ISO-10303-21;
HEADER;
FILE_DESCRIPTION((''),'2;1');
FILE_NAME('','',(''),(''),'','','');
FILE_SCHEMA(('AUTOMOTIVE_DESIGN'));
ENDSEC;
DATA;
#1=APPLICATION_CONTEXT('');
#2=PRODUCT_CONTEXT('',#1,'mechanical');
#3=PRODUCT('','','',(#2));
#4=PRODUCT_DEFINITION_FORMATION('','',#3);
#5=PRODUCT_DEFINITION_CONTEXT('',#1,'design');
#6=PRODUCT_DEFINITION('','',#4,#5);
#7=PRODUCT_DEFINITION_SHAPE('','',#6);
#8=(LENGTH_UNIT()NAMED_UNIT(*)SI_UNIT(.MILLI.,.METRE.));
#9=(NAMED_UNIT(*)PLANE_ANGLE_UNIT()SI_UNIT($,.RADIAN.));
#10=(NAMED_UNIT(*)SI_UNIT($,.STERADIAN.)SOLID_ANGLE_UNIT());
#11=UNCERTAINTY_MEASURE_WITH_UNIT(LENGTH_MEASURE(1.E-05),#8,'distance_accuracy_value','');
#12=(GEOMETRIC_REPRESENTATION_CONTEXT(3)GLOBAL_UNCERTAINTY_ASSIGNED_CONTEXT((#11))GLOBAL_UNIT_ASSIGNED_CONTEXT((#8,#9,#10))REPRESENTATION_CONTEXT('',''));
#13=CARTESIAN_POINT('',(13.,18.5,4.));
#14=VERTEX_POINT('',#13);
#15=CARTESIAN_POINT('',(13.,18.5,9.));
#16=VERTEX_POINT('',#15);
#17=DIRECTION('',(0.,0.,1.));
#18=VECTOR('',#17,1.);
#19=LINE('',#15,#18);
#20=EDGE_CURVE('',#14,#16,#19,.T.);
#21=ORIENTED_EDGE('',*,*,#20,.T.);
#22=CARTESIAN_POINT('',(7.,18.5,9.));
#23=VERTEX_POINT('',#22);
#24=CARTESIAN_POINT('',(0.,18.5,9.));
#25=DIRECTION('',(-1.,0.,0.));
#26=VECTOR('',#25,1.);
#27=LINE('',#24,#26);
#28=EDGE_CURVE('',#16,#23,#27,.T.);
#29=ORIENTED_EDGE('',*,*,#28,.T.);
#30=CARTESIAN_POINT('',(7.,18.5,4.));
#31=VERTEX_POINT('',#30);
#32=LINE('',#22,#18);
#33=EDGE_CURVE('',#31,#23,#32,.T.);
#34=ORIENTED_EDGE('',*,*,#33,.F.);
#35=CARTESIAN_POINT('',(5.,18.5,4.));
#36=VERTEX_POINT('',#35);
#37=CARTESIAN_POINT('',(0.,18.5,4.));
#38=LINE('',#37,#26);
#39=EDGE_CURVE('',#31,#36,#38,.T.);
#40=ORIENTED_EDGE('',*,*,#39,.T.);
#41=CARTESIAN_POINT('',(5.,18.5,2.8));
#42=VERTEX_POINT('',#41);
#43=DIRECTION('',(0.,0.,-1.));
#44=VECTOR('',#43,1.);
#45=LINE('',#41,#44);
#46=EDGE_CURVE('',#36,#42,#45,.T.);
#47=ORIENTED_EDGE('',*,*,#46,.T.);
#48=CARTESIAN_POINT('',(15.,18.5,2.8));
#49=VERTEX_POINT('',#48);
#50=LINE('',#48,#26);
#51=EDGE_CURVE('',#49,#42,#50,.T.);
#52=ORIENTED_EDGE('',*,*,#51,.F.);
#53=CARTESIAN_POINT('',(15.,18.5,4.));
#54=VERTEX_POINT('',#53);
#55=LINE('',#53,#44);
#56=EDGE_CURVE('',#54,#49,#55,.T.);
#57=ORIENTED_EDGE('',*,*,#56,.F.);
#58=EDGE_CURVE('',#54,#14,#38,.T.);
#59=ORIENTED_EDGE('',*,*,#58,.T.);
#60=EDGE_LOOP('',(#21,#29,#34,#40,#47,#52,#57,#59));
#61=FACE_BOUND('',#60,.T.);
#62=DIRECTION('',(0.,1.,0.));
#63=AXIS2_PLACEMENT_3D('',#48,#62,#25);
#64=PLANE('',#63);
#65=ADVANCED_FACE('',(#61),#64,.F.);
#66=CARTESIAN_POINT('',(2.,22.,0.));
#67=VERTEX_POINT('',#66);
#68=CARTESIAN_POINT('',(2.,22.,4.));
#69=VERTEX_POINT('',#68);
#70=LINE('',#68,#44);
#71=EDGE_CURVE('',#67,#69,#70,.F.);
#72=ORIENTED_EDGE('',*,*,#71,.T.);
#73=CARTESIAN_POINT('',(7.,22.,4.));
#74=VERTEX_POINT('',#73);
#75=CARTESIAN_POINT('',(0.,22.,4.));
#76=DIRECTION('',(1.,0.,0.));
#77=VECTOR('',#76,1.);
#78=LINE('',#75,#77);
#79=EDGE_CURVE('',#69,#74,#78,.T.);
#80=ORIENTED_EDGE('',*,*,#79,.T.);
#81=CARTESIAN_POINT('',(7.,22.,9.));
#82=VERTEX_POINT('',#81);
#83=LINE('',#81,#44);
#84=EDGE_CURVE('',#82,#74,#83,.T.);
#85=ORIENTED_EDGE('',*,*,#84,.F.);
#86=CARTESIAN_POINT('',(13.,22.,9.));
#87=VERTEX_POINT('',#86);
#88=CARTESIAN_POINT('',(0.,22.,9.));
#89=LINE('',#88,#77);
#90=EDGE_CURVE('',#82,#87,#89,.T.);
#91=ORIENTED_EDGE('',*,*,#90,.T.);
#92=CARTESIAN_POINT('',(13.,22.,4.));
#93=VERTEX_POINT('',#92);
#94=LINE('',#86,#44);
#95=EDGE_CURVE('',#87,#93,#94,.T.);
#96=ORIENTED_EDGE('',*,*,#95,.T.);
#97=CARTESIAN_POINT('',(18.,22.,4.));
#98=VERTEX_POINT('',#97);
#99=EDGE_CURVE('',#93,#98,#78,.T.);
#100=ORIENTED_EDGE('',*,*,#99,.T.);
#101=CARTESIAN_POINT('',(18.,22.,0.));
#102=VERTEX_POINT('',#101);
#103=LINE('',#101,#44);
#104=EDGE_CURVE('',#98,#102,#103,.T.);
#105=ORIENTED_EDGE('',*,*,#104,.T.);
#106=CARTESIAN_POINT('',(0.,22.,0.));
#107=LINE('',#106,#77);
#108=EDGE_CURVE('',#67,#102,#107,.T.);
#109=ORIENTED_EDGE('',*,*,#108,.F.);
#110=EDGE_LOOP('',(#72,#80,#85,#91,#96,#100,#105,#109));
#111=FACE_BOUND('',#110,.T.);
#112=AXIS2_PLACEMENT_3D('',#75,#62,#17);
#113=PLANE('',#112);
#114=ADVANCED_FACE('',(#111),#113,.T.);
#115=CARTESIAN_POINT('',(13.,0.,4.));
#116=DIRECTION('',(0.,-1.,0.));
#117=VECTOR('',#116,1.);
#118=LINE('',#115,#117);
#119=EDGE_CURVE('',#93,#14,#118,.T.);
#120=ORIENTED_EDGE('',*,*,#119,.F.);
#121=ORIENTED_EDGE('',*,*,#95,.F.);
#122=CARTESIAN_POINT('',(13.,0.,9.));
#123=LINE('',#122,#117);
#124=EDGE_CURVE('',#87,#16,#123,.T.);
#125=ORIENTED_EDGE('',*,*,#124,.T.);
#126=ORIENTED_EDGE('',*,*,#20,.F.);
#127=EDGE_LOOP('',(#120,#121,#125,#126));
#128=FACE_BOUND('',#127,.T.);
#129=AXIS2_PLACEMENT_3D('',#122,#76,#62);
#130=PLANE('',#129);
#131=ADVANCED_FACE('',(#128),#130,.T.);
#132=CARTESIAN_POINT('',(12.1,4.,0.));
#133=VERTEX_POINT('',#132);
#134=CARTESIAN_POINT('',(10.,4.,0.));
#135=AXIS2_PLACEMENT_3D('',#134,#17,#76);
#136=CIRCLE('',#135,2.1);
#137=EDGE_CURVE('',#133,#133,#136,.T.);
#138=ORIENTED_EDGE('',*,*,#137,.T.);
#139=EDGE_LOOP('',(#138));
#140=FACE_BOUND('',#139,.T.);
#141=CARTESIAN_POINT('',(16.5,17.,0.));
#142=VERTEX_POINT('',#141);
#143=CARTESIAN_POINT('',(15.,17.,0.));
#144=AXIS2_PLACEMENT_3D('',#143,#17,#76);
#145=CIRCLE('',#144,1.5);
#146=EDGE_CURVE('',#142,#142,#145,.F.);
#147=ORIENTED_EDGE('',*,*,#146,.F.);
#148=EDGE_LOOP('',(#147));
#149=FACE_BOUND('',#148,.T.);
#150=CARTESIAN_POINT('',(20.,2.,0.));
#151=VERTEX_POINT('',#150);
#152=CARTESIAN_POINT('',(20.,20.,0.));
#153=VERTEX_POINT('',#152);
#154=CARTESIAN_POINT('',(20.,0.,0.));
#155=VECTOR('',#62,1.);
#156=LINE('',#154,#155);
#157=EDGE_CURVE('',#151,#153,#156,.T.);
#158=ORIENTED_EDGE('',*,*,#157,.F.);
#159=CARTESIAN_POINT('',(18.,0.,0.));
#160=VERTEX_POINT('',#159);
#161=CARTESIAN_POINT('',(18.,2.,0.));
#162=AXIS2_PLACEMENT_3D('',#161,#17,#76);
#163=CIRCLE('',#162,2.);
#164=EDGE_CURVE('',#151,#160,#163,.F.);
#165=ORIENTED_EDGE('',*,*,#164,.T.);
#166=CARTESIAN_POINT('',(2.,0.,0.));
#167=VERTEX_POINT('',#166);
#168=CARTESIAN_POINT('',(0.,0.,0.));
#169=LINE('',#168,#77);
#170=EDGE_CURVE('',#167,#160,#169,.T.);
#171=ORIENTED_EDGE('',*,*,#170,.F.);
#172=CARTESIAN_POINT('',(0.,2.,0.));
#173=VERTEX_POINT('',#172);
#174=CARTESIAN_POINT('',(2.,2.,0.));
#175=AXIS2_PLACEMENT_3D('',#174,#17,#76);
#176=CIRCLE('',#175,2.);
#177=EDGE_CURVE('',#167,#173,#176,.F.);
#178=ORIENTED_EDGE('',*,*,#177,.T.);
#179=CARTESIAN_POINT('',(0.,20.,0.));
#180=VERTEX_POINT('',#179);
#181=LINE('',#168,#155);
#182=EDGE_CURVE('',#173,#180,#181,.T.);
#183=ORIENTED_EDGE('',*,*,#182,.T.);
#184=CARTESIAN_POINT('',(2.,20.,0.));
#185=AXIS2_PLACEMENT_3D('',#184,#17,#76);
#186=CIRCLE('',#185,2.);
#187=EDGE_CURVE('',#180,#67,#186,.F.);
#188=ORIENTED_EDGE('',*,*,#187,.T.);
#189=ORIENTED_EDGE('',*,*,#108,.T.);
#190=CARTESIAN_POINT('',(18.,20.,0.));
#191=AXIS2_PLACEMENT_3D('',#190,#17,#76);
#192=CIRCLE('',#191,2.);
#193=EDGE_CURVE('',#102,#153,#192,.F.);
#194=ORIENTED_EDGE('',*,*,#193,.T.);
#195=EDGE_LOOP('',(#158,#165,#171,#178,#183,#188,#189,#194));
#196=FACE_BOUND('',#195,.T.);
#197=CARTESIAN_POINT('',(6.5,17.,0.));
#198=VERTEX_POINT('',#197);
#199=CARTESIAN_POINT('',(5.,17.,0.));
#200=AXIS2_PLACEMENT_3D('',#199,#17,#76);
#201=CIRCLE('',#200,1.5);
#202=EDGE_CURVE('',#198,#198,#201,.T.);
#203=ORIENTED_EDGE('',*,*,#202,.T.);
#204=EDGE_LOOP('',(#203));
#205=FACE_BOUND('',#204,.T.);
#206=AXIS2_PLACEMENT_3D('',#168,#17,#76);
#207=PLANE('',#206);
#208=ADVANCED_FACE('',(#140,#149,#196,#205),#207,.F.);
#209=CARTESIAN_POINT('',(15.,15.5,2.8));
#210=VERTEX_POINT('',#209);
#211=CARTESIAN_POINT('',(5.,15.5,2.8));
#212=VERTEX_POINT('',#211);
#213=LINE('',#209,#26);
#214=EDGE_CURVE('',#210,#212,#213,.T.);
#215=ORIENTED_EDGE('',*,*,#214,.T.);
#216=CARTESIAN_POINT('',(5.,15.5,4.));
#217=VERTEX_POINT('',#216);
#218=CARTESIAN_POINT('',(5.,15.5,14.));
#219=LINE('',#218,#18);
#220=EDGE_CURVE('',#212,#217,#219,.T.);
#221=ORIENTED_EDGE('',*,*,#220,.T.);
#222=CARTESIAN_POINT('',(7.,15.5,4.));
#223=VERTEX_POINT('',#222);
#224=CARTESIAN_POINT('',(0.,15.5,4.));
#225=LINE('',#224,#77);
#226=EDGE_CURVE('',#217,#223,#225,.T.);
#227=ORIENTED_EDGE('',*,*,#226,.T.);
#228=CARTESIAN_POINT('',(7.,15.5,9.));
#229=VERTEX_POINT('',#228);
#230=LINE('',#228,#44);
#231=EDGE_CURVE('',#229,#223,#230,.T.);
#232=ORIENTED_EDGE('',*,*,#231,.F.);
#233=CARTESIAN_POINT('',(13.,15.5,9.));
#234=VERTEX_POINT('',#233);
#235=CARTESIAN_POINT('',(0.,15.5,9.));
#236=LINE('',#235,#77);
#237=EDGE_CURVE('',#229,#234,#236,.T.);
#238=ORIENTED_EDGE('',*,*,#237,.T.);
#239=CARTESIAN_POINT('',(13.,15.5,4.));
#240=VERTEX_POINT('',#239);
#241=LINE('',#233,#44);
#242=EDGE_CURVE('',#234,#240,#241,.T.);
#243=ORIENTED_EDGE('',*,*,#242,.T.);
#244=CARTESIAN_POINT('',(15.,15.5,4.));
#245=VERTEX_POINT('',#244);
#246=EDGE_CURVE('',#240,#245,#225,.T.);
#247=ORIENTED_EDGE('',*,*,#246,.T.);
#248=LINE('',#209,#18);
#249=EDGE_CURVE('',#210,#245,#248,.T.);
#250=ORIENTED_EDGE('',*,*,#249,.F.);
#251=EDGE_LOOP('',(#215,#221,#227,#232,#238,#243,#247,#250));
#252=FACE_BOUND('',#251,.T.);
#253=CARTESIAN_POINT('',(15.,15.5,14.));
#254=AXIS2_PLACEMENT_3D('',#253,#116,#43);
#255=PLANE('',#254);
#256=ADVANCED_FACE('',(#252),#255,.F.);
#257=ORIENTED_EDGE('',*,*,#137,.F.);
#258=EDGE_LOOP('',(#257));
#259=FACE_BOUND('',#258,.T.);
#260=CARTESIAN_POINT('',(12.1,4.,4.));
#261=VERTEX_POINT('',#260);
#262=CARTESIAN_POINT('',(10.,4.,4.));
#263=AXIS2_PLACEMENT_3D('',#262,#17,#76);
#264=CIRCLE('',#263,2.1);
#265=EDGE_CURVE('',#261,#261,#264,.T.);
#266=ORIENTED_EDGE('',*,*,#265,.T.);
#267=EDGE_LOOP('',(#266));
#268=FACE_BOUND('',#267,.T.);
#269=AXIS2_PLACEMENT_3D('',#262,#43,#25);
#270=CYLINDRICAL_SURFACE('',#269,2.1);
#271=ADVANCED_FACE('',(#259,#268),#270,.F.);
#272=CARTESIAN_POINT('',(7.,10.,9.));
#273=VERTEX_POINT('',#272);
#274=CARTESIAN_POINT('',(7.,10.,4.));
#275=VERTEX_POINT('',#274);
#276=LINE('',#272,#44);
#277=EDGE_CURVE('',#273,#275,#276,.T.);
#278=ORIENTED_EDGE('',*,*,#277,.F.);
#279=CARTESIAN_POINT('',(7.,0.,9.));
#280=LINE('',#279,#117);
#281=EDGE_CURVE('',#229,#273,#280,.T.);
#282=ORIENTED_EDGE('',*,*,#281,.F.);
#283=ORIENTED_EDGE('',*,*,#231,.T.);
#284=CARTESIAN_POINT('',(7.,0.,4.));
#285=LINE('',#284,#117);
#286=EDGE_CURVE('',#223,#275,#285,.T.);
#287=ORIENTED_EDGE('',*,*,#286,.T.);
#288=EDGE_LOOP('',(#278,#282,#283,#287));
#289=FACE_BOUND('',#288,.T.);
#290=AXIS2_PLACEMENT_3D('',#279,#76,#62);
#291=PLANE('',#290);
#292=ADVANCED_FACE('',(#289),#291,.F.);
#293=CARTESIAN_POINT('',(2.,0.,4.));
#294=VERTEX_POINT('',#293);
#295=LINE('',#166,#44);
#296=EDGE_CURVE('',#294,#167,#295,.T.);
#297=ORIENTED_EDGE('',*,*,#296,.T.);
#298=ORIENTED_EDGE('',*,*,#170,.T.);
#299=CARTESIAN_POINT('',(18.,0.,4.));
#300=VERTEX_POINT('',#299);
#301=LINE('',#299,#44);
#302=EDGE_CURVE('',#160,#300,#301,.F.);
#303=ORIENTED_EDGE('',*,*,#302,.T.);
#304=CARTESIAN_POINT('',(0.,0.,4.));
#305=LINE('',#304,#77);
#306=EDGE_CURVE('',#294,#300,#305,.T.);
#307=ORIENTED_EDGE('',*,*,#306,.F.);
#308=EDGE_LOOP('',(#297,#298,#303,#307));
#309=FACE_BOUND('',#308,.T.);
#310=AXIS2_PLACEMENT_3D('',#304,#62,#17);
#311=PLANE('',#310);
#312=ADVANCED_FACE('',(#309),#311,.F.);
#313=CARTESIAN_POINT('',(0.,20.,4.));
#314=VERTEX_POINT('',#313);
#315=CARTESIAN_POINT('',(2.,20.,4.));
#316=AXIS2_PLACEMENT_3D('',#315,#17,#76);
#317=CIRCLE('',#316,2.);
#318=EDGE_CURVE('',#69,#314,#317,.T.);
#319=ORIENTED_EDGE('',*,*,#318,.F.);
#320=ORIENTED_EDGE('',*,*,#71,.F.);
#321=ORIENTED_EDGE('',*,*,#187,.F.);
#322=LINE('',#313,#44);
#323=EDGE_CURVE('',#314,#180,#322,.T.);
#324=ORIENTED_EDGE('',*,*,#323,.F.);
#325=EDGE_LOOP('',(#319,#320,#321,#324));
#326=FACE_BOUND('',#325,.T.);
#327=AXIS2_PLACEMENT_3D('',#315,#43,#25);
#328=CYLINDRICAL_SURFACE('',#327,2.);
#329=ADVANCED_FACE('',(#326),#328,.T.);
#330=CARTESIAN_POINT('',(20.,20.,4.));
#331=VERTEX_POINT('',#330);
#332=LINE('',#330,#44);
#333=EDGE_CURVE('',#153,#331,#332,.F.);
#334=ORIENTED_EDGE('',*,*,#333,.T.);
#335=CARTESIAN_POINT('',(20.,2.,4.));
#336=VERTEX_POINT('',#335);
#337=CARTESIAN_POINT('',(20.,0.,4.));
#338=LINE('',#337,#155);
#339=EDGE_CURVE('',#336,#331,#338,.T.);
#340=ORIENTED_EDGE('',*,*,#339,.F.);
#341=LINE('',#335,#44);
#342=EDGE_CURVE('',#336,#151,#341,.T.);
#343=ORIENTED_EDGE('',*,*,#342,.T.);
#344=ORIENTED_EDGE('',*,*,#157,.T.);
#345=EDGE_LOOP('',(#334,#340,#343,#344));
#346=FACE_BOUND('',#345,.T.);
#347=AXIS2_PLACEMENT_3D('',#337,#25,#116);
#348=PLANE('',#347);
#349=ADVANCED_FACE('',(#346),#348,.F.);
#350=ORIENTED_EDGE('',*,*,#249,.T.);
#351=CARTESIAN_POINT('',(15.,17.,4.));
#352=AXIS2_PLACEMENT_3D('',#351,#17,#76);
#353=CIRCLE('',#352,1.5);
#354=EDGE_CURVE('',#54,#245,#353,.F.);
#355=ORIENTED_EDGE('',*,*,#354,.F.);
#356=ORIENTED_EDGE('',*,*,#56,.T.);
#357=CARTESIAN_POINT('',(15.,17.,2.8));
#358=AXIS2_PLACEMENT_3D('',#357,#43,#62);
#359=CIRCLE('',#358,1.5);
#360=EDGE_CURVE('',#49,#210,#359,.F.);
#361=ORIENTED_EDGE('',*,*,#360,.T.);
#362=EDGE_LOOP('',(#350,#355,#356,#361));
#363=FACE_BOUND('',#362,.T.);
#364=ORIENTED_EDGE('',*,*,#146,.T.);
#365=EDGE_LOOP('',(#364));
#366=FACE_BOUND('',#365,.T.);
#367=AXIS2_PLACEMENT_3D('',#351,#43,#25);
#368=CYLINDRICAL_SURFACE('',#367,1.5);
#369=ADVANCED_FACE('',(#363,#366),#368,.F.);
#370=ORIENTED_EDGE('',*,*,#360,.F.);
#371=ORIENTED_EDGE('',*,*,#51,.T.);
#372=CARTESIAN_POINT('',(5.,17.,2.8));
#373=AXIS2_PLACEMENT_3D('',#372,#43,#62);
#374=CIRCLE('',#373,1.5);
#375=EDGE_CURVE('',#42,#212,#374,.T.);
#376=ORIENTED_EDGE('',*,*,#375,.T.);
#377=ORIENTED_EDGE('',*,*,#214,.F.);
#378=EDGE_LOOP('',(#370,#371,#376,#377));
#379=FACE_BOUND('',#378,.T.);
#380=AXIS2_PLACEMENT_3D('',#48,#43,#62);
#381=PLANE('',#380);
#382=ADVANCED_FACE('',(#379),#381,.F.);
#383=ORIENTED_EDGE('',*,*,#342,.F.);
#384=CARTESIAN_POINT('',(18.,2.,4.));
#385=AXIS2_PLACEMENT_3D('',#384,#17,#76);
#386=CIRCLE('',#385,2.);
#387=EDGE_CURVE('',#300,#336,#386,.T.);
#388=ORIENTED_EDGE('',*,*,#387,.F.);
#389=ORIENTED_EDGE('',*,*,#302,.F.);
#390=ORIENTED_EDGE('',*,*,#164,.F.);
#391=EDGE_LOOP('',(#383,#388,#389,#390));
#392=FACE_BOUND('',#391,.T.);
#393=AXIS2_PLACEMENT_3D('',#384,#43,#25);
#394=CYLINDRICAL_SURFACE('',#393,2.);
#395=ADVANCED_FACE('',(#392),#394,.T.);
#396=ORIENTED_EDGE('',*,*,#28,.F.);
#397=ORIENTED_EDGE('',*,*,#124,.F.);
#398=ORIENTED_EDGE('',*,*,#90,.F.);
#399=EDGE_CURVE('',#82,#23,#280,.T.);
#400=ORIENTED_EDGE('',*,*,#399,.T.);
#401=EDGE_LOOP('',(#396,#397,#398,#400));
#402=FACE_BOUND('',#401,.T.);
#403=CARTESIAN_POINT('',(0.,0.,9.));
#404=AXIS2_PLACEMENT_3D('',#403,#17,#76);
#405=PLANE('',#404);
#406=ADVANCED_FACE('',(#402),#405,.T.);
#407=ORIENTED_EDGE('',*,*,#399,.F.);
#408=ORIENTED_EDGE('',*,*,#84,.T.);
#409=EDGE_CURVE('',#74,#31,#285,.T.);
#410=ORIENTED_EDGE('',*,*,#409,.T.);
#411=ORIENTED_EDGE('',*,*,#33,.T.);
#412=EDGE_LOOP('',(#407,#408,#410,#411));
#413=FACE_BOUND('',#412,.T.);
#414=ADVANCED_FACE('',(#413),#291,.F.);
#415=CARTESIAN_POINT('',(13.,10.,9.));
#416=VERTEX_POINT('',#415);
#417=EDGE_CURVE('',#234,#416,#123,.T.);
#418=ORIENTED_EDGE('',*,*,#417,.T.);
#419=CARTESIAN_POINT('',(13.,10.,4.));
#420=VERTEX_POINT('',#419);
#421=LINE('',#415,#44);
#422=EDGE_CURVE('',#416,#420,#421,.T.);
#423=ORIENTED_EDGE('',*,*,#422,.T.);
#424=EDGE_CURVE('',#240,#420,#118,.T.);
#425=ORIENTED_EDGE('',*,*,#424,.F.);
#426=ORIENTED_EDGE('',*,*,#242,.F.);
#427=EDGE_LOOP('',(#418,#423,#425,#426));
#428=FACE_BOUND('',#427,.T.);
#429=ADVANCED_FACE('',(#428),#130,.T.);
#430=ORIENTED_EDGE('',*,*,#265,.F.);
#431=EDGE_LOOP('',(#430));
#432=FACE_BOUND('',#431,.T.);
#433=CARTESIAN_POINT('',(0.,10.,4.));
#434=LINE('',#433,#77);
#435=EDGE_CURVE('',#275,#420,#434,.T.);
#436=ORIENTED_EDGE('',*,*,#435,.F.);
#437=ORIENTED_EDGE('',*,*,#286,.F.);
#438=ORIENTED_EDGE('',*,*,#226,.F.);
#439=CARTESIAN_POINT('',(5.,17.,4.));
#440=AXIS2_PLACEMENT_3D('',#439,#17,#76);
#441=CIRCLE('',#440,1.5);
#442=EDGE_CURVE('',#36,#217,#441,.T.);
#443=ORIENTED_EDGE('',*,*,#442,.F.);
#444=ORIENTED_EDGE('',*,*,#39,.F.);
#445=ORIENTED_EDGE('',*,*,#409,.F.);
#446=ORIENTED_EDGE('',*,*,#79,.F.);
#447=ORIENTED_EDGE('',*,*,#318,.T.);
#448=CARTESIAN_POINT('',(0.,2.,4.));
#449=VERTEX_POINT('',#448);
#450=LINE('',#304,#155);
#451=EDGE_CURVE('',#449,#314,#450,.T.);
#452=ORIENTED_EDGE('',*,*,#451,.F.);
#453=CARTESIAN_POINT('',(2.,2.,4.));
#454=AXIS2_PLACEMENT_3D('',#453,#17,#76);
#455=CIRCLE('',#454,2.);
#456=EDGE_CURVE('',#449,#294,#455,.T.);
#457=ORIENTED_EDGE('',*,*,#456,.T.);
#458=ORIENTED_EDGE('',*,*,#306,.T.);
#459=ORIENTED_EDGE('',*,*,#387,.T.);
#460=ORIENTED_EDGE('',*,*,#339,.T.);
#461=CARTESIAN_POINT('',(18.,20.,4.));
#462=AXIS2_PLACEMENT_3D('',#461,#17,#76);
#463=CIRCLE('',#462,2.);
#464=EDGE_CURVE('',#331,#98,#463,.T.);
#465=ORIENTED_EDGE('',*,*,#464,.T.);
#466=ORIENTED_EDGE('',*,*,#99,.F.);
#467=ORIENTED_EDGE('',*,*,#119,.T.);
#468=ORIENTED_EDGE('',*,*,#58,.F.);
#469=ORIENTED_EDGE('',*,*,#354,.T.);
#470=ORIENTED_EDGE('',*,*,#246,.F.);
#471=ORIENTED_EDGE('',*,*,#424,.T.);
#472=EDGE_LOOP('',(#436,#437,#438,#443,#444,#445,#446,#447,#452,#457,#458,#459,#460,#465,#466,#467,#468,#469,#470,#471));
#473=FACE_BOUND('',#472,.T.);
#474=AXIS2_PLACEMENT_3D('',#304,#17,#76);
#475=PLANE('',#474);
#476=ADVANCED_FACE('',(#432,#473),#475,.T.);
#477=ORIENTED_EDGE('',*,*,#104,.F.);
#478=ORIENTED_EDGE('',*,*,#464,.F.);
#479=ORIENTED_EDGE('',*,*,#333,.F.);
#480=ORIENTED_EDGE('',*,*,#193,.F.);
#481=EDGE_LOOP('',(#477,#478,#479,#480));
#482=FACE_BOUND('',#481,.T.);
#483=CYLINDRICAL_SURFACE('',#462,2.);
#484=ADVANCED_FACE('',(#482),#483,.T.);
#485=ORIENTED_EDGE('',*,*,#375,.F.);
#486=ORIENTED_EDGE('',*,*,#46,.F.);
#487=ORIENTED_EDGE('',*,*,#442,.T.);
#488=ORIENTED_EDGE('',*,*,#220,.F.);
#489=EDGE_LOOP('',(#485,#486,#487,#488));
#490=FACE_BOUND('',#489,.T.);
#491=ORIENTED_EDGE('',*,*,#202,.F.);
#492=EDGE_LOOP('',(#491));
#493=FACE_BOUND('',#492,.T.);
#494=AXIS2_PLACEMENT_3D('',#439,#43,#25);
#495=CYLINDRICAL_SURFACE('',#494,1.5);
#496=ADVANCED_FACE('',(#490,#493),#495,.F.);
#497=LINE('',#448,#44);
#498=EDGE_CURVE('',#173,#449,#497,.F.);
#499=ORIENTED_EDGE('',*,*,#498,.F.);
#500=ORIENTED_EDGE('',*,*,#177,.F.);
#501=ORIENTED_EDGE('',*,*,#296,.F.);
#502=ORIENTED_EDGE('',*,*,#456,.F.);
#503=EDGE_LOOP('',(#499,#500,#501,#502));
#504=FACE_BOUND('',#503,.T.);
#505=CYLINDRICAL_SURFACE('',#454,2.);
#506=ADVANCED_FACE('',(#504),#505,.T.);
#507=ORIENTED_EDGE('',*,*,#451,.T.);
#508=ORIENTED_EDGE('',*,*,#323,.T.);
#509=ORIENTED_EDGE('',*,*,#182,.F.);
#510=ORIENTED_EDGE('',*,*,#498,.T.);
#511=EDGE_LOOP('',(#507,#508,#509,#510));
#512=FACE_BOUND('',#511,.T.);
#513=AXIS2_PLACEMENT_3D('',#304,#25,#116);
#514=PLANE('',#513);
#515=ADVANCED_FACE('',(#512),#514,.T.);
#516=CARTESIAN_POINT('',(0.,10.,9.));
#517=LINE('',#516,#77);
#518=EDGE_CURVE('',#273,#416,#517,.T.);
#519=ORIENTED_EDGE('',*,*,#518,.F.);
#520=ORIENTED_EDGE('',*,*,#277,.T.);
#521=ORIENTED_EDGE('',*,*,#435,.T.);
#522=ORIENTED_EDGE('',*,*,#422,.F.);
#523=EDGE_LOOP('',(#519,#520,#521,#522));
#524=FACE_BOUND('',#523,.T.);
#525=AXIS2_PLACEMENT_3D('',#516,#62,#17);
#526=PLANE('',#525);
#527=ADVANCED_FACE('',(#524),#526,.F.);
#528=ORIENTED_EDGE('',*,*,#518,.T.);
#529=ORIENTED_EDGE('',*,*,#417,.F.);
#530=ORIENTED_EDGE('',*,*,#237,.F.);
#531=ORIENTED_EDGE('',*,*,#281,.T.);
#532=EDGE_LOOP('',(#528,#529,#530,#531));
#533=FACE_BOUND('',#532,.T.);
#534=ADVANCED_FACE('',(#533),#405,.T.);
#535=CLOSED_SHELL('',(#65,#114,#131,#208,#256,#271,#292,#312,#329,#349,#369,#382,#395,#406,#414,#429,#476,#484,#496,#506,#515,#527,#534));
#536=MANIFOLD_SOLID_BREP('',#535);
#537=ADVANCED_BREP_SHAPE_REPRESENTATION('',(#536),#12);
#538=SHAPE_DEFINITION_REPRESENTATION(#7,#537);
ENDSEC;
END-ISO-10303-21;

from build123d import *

# Parameters (mm, degrees)
SKETCH_1_R          = 2.1
SKETCH_1_R_2        = 1.5
EXTRUDE_1_DEPTH     = 4
SKETCH_1_3_W        = 6
SKETCH_1_3_H        = 12
EXTRUDE_2_DEPTH     = 9
FILLET_1_R          = 2
CUT_EXTRUDE_START   = -5
CUT_EXTRUDE_1_DEPTH = 10


with BuildPart() as part:
    # 草图1 → 凸台-拉伸1 (new body)
    with BuildSketch(Plane.XY):
        Polygon((0, 22), (0, 0), (20, 0), (20, 22), (13, 22), (13, 10), (7, 10), (7, 22), align=None)
        with Locations((10, 4)):
            Circle(SKETCH_1_R, mode=Mode.SUBTRACT)
        with Locations((5, 17)):
            Circle(SKETCH_1_R_2, mode=Mode.SUBTRACT)
        with Locations((15, 17)):
            Circle(SKETCH_1_R_2, mode=Mode.SUBTRACT)
    extrude(amount=EXTRUDE_1_DEPTH)

    # 草图1<3> → 凸台-拉伸2 (add)
    with BuildSketch(Plane.XY):
        with Locations((10, 16)):
            Rectangle(SKETCH_1_3_W, SKETCH_1_3_H)
    extrude(amount=EXTRUDE_2_DEPTH)

    # 圆角1
    fillet_1_edges = [part.edges().sort_by_distance(p)[0] for p in [
        (20, 22, 2),
        (20, 0, 2),
        (0, 0, 2),
        (0, 22, 2),
    ]]
    fillet(fillet_1_edges, radius=FILLET_1_R)

    # 草图2 → 切除-拉伸1 (cut)
    with BuildSketch(Plane.ZY.offset(CUT_EXTRUDE_START)):
        Polygon((2.8, 18.5), (4, 18.5), (14, 18.5), (14, 15.5), (4, 15.5), (2.8, 15.5), align=None)
    extrude(amount=-CUT_EXTRUDE_1_DEPTH, mode=Mode.SUBTRACT)


solid = part.part
